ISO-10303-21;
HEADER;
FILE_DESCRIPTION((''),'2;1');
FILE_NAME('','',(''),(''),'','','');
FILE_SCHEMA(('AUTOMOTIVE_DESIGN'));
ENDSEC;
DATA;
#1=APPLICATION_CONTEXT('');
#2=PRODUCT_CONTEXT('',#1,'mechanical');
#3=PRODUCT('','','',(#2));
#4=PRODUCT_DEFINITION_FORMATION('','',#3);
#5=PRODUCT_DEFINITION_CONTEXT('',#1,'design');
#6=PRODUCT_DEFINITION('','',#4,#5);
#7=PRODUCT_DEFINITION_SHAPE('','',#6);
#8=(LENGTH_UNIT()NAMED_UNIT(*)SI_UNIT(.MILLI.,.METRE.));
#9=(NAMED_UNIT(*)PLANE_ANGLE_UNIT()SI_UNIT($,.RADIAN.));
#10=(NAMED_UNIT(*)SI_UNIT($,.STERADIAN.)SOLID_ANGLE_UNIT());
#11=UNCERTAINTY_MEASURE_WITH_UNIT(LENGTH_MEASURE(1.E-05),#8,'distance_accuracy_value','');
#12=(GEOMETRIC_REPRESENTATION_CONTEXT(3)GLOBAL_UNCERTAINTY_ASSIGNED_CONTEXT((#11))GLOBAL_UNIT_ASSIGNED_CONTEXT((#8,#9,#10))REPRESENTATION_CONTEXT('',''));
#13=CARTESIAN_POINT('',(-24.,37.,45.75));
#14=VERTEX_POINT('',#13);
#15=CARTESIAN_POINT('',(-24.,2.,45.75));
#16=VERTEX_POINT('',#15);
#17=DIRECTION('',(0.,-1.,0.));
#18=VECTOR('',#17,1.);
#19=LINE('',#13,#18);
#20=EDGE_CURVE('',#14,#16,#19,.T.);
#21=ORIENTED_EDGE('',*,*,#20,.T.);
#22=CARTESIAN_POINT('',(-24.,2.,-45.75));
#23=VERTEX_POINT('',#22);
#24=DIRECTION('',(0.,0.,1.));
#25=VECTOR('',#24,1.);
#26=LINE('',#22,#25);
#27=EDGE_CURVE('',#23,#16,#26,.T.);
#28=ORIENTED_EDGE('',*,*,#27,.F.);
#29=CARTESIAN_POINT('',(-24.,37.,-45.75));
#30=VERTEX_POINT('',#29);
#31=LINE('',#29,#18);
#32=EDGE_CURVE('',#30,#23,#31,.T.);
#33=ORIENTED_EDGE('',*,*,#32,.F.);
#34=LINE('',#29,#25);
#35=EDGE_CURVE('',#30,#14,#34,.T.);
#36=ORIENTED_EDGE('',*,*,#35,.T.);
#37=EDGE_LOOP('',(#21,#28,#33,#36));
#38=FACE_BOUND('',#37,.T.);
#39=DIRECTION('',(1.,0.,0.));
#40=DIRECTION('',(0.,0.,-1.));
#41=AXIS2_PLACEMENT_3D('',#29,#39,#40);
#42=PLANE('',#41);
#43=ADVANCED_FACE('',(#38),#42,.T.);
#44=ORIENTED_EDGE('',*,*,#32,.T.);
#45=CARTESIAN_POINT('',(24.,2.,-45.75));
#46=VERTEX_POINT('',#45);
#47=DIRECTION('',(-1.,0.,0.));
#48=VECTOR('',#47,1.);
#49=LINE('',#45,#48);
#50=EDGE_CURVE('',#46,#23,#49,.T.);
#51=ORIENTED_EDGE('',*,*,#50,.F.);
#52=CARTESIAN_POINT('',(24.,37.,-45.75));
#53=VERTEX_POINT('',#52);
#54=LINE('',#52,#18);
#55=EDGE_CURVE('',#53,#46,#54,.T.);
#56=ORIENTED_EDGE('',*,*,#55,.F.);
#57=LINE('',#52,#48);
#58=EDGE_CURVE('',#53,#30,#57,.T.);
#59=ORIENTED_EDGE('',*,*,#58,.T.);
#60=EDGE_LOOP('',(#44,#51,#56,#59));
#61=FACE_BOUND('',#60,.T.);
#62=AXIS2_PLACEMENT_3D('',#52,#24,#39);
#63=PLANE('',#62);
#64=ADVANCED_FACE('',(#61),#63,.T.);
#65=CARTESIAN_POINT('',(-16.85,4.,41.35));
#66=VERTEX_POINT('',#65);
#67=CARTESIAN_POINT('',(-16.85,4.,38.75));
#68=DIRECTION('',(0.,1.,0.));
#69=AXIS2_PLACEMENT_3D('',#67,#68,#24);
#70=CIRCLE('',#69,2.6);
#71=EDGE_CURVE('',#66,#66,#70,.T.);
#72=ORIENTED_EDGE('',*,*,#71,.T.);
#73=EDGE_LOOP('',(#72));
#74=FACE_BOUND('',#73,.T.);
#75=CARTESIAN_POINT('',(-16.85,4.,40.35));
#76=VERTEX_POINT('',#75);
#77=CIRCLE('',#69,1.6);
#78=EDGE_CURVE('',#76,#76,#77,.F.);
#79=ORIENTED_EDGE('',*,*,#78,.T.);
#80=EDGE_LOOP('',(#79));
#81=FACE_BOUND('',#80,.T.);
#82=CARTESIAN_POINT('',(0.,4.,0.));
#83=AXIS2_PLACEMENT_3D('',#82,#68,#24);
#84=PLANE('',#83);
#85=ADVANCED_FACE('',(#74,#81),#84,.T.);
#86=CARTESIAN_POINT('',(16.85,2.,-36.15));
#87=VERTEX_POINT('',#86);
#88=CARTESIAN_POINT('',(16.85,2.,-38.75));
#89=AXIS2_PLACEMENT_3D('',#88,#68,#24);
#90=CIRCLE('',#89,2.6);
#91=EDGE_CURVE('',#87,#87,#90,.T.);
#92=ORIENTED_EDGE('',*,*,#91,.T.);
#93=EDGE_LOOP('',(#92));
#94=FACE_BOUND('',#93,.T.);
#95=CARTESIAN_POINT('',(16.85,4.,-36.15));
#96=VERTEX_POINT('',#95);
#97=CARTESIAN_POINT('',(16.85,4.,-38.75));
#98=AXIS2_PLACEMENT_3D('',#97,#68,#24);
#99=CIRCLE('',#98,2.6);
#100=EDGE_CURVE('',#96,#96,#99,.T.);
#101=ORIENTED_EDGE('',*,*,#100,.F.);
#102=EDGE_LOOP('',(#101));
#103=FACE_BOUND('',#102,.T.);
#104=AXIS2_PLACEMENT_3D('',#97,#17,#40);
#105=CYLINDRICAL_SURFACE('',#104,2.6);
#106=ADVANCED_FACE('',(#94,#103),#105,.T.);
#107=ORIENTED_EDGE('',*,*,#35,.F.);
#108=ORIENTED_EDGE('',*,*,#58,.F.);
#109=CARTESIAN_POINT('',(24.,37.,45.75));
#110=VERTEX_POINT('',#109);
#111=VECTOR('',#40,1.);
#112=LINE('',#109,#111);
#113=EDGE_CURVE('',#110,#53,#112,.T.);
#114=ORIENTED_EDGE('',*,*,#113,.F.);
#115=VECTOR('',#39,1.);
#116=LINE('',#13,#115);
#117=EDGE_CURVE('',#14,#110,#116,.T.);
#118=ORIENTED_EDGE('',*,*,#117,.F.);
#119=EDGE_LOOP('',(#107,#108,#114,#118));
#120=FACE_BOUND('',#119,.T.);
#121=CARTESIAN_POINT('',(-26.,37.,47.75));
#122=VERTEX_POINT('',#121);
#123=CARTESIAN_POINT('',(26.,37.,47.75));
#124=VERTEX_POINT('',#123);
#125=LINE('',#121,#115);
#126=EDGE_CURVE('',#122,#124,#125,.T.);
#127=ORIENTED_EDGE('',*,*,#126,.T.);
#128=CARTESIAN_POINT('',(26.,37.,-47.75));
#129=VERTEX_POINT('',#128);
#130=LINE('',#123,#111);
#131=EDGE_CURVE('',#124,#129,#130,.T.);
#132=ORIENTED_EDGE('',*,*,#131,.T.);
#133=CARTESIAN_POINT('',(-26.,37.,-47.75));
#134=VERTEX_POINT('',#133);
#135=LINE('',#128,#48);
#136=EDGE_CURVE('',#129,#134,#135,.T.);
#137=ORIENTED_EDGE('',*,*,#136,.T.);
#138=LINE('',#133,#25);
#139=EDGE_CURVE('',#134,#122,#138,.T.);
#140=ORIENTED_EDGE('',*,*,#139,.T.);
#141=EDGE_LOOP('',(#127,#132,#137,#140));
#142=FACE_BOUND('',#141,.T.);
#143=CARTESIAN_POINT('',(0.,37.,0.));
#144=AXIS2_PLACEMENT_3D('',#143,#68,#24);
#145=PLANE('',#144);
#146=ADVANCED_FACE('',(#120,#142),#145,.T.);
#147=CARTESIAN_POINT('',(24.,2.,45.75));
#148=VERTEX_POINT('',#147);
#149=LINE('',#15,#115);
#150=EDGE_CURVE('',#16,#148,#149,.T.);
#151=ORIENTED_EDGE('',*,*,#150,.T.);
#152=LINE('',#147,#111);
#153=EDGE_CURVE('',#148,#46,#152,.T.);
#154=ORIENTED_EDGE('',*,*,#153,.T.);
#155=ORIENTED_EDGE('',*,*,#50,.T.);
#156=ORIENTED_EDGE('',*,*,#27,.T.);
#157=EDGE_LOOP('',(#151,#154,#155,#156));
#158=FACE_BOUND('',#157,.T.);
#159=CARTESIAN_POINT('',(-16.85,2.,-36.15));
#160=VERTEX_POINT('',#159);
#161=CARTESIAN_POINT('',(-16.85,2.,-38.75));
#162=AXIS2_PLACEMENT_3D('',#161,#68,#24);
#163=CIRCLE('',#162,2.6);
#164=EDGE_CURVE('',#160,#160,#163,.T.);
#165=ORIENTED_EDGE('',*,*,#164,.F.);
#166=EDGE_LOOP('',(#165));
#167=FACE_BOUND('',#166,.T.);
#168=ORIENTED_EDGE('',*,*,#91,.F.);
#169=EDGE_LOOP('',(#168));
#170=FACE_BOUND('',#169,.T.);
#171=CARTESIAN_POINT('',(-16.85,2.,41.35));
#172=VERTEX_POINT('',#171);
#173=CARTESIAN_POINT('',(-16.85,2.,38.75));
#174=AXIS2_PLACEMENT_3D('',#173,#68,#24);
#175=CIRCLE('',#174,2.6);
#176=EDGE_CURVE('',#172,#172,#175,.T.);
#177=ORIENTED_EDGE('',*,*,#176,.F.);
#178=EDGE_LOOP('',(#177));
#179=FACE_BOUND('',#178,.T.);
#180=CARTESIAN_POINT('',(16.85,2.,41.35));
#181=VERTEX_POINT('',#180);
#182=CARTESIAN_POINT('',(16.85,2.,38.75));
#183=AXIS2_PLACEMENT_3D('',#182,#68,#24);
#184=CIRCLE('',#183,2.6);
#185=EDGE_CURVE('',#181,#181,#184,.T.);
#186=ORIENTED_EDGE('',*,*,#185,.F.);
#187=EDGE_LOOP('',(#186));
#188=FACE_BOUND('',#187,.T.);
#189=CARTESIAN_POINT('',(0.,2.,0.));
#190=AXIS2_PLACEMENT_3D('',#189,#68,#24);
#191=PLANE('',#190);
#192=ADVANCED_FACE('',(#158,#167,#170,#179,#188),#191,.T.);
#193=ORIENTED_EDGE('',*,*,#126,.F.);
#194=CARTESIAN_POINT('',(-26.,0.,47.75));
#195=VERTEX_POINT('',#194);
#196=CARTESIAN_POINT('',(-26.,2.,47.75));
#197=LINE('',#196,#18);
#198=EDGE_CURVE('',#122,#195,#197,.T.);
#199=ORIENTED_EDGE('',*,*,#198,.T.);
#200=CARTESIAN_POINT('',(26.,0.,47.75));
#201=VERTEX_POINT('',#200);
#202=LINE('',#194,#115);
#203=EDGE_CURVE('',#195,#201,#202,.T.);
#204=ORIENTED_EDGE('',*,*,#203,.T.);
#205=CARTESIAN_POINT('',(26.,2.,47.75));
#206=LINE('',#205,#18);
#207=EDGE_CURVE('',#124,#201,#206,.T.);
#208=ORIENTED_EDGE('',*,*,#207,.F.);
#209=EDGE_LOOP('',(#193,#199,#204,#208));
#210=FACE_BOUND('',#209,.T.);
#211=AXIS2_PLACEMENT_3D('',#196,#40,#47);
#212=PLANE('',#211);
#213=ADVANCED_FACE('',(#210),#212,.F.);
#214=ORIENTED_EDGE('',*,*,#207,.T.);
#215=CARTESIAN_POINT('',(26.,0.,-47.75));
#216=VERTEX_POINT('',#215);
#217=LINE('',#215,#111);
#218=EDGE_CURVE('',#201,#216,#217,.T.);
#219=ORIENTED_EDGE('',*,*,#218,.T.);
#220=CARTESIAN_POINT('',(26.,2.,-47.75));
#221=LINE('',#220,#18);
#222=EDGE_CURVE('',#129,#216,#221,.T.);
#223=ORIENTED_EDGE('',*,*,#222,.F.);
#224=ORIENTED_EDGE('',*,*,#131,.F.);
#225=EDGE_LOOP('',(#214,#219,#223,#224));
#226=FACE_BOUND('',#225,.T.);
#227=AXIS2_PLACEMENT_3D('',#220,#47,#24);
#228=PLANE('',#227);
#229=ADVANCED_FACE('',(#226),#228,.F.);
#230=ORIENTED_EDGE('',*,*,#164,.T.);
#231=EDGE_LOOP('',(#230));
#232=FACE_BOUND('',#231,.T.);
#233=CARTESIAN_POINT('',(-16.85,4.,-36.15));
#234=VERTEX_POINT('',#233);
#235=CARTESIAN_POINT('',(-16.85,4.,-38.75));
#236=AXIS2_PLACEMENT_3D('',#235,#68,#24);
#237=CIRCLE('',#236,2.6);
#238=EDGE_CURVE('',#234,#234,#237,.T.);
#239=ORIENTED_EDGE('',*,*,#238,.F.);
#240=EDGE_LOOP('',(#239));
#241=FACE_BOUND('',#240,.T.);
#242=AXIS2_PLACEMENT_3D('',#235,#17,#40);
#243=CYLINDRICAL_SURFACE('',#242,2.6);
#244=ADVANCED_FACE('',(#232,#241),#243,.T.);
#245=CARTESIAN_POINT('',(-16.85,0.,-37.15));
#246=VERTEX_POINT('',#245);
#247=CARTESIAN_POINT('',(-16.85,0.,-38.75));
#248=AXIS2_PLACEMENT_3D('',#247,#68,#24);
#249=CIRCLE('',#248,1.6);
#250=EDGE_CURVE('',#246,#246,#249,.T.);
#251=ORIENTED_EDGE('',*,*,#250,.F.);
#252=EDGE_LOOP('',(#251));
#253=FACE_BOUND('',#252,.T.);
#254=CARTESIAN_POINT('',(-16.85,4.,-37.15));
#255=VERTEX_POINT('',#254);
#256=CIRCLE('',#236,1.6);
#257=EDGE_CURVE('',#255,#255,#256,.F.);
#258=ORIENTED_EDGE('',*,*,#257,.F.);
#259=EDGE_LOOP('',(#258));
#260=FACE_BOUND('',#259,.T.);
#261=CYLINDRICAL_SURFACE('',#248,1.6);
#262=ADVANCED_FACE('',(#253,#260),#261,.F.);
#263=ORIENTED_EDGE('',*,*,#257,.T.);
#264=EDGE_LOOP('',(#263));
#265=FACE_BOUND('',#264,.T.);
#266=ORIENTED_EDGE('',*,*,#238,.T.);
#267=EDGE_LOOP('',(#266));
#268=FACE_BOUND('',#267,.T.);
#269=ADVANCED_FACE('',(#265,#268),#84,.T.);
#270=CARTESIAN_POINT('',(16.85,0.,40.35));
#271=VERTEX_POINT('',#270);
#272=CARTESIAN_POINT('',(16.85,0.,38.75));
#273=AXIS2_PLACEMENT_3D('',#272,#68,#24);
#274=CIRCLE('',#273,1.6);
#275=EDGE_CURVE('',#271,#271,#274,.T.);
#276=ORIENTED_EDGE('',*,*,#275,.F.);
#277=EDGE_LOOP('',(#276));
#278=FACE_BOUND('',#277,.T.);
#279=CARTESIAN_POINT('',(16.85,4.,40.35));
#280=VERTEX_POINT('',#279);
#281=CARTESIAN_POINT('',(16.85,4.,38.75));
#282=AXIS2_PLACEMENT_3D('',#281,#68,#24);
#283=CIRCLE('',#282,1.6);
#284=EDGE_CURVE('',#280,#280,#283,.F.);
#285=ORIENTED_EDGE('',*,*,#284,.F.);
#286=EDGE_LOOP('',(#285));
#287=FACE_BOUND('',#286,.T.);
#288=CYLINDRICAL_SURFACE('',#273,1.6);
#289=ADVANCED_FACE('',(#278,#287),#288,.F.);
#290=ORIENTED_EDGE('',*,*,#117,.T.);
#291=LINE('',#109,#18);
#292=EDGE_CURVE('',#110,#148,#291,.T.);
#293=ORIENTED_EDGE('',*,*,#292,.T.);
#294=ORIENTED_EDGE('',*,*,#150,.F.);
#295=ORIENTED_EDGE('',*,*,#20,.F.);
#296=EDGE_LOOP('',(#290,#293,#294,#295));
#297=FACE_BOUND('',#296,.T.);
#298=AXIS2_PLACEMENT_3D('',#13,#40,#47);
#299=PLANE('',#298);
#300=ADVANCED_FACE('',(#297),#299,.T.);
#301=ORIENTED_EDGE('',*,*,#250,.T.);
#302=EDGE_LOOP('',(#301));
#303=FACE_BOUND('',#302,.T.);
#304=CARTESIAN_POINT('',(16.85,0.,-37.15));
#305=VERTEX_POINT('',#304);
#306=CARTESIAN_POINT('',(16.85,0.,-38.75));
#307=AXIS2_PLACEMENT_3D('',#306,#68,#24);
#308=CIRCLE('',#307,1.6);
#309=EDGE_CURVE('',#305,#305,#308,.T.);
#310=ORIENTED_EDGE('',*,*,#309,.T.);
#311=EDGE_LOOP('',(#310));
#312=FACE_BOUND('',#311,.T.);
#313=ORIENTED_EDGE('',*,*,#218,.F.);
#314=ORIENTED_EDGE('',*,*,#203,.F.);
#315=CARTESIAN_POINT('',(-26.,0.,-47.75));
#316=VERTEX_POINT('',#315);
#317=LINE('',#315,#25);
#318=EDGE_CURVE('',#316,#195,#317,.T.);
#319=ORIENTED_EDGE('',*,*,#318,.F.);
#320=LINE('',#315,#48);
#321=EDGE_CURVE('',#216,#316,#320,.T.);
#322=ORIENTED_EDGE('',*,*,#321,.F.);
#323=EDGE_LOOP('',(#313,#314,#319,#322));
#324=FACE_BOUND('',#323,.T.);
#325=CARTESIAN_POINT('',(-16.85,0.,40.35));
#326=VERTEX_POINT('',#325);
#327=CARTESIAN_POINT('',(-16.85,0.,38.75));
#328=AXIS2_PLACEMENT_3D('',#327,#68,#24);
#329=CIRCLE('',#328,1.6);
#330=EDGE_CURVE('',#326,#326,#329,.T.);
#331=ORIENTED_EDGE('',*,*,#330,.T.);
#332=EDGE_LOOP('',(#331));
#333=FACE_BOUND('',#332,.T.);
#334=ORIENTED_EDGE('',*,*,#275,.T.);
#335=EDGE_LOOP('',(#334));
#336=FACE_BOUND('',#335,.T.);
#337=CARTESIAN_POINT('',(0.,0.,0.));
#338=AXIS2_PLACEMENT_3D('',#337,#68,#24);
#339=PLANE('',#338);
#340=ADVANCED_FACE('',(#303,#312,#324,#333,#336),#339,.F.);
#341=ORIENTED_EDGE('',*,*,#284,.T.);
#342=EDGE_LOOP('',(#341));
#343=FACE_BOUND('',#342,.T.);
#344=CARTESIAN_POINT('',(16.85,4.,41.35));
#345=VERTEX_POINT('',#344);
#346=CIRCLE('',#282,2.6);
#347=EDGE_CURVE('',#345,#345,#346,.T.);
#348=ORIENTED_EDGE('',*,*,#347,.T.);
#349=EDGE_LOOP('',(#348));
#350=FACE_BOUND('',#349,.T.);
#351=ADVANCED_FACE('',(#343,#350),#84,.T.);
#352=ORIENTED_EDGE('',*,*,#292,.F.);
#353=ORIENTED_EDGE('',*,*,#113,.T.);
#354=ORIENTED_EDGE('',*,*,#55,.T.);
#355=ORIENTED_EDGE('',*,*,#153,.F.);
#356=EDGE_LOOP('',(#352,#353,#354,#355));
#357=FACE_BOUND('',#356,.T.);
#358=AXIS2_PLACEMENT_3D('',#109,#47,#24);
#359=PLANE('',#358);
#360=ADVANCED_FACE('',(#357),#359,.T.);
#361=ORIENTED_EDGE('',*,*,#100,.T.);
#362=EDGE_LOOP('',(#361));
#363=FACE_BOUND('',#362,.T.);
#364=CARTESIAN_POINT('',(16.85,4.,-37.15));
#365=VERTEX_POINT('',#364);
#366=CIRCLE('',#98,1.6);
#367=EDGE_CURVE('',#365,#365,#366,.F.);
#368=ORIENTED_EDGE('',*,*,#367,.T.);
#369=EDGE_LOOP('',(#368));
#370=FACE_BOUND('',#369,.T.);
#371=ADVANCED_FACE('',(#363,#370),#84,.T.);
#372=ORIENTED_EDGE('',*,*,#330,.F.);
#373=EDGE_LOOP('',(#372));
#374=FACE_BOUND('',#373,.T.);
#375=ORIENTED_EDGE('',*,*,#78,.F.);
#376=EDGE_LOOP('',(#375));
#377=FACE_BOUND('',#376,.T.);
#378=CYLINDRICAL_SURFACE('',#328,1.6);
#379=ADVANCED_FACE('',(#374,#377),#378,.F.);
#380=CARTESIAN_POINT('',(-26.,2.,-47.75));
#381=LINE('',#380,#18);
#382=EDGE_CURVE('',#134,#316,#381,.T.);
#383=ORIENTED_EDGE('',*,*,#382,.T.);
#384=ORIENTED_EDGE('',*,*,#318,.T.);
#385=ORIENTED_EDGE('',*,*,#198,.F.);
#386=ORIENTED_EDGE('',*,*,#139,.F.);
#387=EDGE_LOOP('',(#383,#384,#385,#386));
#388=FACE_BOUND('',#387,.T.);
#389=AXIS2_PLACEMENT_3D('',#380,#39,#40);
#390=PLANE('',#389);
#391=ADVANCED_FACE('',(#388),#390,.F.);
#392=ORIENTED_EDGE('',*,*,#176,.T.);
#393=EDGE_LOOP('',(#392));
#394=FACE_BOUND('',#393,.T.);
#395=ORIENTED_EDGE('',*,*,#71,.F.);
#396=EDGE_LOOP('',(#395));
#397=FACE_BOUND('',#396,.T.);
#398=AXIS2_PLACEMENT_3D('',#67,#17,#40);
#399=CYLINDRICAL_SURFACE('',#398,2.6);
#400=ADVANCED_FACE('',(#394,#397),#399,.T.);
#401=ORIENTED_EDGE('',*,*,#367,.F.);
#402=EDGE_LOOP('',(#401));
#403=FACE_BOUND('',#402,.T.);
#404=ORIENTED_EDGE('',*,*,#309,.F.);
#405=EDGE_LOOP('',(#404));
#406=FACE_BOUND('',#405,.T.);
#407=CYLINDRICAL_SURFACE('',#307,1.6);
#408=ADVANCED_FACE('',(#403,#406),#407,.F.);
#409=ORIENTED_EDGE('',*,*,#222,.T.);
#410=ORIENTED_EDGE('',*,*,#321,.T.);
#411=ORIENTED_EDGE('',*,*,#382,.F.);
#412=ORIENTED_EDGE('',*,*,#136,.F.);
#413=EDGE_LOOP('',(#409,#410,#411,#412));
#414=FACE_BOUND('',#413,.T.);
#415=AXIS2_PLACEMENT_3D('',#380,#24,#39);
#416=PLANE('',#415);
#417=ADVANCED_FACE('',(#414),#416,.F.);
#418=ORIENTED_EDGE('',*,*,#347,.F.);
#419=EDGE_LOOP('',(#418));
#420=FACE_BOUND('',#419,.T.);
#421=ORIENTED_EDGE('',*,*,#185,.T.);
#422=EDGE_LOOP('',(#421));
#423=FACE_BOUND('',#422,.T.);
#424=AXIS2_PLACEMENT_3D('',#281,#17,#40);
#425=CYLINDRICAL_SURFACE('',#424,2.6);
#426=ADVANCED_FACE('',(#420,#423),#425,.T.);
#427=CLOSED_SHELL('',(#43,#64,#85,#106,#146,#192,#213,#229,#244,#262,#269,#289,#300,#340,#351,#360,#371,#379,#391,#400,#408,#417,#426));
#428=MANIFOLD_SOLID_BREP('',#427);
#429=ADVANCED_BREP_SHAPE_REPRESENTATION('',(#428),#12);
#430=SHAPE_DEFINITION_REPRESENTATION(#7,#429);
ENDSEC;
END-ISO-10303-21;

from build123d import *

# Parameters (mm, degrees)
SKETCH1_W           = 52
SKETCH1_H           = 95.5
BOSS_EXTRUDE1_DEPTH = 2
SKETCH2_R           = 1.6
CUT_EXTRUDE1_DEPTH  = 2
SKETCH3_W           = 52
SKETCH3_H           = 95.5
SKETCH3_W_2         = 48
SKETCH3_H_2         = 91.5
BOSS_EXTRUDE2_DEPTH = 35
SKETCH4_R           = 2.6
SKETCH4_R_2         = 1.6
BOSS_EXTRUDE3_DEPTH = 2


with BuildPart() as part:
    # Sketch1 → Boss-Extrude1 (new body)
    with BuildSketch(Plane(origin=(0, 0, 0), x_dir=(1, 0, 0), z_dir=(0, 1, 0))):
        Rectangle(SKETCH1_W, SKETCH1_H)
    extrude(amount=BOSS_EXTRUDE1_DEPTH)

    # Sketch2 → Cut-Extrude1 (cut)
    with BuildSketch(Plane(origin=(0, 2, 0), x_dir=(1, 0, 0), z_dir=(0, 1, 0))):
        with Locations((-16.85, 38.75)):
            Circle(SKETCH2_R)
        with Locations((16.85, 38.75)):
            Circle(SKETCH2_R)
        with Locations((-16.85, -38.75)):
            Circle(SKETCH2_R)
        with Locations((16.85, -38.75)):
            Circle(SKETCH2_R)
    extrude(amount=-CUT_EXTRUDE1_DEPTH, mode=Mode.SUBTRACT)

    # Sketch3 → Boss-Extrude2 (add)
    with BuildSketch(Plane(origin=(0, 2, 0), x_dir=(1, 0, 0), z_dir=(0, 1, 0))):
        Rectangle(SKETCH3_W, SKETCH3_H)
        Rectangle(SKETCH3_W_2, SKETCH3_H_2, mode=Mode.SUBTRACT)
    extrude(amount=BOSS_EXTRUDE2_DEPTH)

    # Sketch4 → Boss-Extrude3 (add)
    with BuildSketch(Plane(origin=(0, 2, 0), x_dir=(1, 0, 0), z_dir=(0, 1, 0))):
        with Locations((-16.85, 38.75)):
            Circle(SKETCH4_R)
        with Locations((-16.85, 38.75)):
            Circle(SKETCH4_R_2, mode=Mode.SUBTRACT)
        with Locations((16.85, 38.75)):
            Circle(SKETCH4_R)
        with Locations((16.85, 38.75)):
            Circle(SKETCH4_R_2, mode=Mode.SUBTRACT)
        with Locations((16.85, -38.75)):
            Circle(SKETCH4_R)
        with Locations((16.85, -38.75)):
            Circle(SKETCH4_R_2, mode=Mode.SUBTRACT)
        with Locations((-16.85, -38.75)):
            Circle(SKETCH4_R)
        with Locations((-16.85, -38.75)):
            Circle(SKETCH4_R_2, mode=Mode.SUBTRACT)
    extrude(amount=BOSS_EXTRUDE3_DEPTH)


solid = part.part
